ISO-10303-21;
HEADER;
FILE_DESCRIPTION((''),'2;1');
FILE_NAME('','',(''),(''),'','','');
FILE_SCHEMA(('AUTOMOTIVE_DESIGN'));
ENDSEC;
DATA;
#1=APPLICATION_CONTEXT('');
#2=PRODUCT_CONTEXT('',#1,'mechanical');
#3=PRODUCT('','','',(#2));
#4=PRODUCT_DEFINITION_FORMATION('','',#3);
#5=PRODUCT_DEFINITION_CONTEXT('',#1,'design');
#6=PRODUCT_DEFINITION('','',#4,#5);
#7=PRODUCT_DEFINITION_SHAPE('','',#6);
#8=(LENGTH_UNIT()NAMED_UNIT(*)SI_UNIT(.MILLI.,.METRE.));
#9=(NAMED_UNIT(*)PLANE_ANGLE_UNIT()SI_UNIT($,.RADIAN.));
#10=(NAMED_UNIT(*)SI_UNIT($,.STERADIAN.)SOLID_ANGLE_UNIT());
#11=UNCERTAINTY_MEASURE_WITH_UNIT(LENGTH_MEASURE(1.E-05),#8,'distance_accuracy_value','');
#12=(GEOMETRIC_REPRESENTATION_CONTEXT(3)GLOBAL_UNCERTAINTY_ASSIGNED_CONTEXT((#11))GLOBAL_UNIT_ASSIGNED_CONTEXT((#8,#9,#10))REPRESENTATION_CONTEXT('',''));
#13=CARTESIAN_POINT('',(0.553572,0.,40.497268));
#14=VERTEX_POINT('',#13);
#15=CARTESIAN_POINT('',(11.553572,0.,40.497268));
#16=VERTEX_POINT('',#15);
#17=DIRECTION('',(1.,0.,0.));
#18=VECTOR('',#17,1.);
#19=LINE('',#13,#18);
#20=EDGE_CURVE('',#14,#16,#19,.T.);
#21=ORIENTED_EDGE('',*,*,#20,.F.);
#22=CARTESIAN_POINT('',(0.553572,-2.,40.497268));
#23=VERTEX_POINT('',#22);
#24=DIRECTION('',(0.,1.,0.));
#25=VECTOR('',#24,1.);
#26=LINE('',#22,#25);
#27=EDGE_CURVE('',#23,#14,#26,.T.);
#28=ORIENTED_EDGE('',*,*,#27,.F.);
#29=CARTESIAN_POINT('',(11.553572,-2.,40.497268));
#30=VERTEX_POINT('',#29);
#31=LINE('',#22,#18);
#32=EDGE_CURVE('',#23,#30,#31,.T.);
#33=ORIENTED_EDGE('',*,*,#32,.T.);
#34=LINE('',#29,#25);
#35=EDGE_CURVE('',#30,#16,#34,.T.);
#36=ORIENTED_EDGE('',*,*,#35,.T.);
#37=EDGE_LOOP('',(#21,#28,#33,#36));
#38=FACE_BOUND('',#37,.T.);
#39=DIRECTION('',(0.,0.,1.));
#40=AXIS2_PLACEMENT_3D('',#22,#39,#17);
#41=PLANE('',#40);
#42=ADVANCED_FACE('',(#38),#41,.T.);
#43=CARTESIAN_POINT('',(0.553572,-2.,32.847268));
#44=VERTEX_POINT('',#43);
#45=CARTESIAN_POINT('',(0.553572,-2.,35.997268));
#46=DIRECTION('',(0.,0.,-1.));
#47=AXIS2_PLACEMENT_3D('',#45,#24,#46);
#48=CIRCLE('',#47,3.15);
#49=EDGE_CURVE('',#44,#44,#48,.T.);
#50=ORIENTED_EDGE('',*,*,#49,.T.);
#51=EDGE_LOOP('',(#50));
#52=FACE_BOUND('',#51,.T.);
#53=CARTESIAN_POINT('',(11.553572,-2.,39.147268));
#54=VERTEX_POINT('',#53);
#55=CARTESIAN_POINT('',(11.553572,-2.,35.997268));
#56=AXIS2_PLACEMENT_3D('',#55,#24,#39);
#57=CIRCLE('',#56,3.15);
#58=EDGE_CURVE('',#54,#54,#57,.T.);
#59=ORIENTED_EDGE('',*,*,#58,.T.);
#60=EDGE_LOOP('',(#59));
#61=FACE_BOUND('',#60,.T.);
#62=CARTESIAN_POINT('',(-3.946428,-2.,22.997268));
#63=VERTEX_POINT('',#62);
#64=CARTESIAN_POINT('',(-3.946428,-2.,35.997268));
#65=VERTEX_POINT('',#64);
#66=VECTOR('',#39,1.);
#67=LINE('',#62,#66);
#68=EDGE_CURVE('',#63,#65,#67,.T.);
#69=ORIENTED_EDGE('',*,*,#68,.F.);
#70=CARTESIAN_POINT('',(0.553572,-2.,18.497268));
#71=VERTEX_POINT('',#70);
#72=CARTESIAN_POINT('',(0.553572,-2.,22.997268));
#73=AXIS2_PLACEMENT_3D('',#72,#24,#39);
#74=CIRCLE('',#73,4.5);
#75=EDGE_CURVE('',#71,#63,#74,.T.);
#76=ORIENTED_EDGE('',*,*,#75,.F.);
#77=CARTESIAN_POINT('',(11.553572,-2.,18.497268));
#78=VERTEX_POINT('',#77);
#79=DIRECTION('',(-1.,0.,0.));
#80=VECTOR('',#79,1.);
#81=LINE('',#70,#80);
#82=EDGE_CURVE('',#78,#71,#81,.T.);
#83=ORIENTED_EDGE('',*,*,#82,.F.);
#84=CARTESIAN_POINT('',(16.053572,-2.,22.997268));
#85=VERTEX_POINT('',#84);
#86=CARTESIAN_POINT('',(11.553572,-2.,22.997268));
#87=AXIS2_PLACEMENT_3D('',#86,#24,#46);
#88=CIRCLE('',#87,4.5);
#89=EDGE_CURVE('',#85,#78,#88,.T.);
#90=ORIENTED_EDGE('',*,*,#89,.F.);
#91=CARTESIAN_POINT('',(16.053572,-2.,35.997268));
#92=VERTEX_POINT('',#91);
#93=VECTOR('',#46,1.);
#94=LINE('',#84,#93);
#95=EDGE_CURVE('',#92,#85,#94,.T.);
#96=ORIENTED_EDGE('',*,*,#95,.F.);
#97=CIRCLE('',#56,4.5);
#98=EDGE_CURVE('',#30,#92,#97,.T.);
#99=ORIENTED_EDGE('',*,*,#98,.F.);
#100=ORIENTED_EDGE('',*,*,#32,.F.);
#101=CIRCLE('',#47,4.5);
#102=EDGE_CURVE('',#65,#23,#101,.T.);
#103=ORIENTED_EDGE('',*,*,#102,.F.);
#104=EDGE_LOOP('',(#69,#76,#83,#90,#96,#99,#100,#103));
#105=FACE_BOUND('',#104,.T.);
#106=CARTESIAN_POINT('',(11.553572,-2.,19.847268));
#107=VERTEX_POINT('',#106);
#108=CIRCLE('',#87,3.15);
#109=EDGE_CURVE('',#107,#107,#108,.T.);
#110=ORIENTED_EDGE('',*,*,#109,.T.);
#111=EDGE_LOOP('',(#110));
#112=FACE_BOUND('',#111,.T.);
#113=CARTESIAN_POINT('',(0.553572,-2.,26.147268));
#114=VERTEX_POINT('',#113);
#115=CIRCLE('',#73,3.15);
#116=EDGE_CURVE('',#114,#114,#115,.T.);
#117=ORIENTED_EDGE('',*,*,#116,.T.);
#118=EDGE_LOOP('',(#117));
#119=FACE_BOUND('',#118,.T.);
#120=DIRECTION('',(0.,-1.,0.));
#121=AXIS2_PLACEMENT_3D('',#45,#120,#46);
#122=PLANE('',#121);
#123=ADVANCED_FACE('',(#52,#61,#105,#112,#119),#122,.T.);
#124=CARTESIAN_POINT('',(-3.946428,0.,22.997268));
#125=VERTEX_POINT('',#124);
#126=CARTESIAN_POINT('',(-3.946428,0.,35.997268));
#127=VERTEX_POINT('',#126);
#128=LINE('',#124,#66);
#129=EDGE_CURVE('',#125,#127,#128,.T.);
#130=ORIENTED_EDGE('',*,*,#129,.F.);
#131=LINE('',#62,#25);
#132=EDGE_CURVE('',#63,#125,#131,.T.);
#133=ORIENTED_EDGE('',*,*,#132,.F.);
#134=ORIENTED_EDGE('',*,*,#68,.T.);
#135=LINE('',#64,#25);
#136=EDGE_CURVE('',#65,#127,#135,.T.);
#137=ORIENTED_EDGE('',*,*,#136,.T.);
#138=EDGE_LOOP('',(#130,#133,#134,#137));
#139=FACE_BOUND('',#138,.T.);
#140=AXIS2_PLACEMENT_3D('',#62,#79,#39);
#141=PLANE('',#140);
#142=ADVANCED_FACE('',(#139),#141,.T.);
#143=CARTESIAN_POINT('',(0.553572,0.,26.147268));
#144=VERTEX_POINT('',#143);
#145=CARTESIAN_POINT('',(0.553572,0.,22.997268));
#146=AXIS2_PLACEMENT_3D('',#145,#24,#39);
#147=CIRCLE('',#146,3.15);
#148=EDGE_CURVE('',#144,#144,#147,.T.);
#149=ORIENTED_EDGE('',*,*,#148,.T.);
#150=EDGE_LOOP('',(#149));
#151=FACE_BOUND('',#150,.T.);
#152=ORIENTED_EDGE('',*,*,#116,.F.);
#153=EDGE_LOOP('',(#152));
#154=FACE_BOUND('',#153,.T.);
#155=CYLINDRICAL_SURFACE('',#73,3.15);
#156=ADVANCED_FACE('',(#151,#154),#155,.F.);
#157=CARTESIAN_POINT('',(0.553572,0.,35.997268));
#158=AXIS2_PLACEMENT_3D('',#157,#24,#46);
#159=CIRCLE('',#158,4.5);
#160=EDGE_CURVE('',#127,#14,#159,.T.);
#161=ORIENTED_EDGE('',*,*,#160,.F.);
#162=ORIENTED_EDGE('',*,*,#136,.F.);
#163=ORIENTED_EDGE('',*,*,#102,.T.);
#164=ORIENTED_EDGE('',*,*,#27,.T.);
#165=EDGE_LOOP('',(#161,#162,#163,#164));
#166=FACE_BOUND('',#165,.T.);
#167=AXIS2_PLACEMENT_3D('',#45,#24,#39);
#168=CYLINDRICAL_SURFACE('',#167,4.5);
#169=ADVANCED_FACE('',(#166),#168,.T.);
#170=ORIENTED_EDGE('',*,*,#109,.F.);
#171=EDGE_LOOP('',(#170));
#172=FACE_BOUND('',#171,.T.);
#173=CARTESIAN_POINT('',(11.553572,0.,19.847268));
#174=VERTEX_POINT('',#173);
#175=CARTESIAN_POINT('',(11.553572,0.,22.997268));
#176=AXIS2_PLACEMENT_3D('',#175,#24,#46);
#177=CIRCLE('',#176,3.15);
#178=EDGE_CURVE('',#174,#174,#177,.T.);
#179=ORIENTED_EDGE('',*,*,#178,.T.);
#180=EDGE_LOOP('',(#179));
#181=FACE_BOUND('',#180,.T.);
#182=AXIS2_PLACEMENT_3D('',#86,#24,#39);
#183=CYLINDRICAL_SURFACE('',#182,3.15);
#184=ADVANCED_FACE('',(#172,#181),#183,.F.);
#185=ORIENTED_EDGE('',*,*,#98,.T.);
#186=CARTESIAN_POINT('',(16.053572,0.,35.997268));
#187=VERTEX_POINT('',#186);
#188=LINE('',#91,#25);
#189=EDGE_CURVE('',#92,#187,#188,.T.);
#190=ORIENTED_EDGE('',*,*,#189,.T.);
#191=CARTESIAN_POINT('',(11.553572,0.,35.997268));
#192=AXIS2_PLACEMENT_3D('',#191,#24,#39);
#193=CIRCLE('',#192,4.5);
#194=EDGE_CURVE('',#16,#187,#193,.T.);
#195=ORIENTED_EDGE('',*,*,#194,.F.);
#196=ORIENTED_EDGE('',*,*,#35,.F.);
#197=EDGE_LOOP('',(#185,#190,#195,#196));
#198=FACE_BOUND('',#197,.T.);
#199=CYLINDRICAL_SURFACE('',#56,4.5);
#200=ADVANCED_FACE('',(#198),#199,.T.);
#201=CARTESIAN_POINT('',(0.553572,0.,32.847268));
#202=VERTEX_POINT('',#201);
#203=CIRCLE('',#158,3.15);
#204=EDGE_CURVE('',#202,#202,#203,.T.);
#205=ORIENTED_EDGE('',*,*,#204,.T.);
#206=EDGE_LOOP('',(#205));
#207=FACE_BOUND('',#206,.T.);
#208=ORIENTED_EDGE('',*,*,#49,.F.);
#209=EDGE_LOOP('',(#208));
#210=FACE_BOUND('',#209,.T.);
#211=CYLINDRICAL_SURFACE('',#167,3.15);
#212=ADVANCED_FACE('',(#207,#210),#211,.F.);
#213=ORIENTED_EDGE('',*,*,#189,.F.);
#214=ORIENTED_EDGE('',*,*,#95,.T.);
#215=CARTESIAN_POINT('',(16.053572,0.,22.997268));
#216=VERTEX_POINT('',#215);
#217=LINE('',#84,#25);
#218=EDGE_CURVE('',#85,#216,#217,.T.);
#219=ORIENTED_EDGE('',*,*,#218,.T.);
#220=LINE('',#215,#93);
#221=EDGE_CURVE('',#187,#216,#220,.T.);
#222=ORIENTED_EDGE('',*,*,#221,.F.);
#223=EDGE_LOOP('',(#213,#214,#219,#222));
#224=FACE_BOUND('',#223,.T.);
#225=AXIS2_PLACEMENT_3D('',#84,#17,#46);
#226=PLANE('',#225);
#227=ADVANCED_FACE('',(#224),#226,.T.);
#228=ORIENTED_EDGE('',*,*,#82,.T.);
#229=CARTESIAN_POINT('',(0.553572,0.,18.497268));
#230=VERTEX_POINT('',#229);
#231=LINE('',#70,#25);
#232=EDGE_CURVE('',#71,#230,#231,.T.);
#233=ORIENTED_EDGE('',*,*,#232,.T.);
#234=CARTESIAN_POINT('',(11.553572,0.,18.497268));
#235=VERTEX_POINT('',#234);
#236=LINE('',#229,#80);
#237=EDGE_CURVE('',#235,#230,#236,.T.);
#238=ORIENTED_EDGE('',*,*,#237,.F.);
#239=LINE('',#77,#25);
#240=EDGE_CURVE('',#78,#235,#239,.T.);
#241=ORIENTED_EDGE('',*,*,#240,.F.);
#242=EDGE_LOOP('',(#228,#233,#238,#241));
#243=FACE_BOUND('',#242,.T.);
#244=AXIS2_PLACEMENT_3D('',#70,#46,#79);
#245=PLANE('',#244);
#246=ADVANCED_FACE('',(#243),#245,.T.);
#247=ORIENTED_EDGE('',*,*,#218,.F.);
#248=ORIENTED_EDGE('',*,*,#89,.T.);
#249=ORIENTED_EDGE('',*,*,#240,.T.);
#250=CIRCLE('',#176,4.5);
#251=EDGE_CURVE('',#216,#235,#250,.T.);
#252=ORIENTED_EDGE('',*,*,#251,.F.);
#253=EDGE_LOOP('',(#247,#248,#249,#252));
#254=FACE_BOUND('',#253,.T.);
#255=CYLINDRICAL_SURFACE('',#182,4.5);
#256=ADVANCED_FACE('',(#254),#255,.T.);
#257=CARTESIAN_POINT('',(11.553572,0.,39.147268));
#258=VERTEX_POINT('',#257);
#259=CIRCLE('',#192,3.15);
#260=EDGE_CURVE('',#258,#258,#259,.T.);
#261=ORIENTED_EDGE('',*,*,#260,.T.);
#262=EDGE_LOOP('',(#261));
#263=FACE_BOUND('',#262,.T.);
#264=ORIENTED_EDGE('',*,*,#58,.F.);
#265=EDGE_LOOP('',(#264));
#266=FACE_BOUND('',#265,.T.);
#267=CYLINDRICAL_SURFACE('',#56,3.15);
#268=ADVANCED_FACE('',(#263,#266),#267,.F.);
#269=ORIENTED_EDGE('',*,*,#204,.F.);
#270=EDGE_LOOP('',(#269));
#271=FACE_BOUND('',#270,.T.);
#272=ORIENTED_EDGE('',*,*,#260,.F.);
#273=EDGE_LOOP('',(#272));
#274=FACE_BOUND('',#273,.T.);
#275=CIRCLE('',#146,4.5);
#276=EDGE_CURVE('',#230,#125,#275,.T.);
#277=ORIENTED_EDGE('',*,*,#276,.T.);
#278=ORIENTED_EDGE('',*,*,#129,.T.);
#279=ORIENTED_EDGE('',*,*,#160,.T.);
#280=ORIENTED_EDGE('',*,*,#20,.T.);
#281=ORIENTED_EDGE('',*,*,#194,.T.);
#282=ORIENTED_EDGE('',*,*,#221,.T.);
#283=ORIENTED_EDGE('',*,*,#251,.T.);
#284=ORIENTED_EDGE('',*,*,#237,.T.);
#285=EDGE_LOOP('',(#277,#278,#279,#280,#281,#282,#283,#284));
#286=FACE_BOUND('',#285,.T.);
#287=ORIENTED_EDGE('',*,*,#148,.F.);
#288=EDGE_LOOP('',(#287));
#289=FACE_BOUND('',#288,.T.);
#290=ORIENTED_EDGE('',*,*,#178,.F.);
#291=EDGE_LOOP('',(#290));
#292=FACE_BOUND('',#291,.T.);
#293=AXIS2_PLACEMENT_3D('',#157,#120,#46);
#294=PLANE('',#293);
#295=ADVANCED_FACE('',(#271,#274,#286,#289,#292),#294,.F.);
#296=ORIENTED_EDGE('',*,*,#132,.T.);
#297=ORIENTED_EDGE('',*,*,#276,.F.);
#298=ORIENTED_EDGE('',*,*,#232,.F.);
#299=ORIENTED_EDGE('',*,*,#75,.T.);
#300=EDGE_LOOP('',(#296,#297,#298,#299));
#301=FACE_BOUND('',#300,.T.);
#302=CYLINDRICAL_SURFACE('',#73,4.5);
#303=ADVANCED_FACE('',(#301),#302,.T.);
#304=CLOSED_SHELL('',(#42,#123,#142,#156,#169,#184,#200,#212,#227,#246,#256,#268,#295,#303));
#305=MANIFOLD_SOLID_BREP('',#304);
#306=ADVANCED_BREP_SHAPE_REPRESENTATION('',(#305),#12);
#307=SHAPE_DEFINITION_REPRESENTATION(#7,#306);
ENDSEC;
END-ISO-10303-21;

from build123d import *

# Parameters (mm, degrees)
SKETCH2_R           = 3.15
BOSS_EXTRUDE1_DEPTH = 2


with BuildPart() as part:
    # Sketch2 → Boss-Extrude1 (new body)
    with BuildSketch(Plane(origin=(0, 0, 0), x_dir=(1, 0, 0), z_dir=(0, 1, 0))):
        with BuildLine():
            Line((0.553571832, -40.497268471), (11.553571832, -40.497268471))
            ThreePointArc((11.553571832, -40.497268471), (14.735552347, -39.179248986), (16.053571832, -35.997268471))
            Line((16.053571832, -35.997268471), (16.053571832, -22.997268471))
            ThreePointArc((16.053571832, -22.997268471), (14.735552347, -19.815287955), (11.553571832, -18.497268471))
            Line((11.553571832, -18.497268471), (0.553571832, -18.497268471))
            ThreePointArc((0.553571832, -18.497268471), (-2.628408684, -19.815287955), (-3.946428168, -22.997268471))
            Line((-3.946428168, -22.997268471), (-3.946428168, -35.997268471))
            ThreePointArc((-3.946428168, -35.997268471), (-2.628408684, -39.179248986), (0.553571832, -40.497268471))
        make_face()
        with Locations(Location((11.553571832, -35.997268471, 0), (0, 0, 270))):
            Circle(SKETCH2_R, mode=Mode.SUBTRACT)
        with Locations(Location((11.553571832, -22.997268471, 0), (0, 0, 90))):
            Circle(SKETCH2_R, mode=Mode.SUBTRACT)
        with Locations(Location((0.553571832, -22.997268471, 0), (0, 0, 270))):
            Circle(SKETCH2_R, mode=Mode.SUBTRACT)
        with Locations(Location((0.553571832, -35.997268471, 0), (0, 0, 90))):
            Circle(SKETCH2_R, mode=Mode.SUBTRACT)
    extrude(amount=-BOSS_EXTRUDE1_DEPTH)


solid = part.part
